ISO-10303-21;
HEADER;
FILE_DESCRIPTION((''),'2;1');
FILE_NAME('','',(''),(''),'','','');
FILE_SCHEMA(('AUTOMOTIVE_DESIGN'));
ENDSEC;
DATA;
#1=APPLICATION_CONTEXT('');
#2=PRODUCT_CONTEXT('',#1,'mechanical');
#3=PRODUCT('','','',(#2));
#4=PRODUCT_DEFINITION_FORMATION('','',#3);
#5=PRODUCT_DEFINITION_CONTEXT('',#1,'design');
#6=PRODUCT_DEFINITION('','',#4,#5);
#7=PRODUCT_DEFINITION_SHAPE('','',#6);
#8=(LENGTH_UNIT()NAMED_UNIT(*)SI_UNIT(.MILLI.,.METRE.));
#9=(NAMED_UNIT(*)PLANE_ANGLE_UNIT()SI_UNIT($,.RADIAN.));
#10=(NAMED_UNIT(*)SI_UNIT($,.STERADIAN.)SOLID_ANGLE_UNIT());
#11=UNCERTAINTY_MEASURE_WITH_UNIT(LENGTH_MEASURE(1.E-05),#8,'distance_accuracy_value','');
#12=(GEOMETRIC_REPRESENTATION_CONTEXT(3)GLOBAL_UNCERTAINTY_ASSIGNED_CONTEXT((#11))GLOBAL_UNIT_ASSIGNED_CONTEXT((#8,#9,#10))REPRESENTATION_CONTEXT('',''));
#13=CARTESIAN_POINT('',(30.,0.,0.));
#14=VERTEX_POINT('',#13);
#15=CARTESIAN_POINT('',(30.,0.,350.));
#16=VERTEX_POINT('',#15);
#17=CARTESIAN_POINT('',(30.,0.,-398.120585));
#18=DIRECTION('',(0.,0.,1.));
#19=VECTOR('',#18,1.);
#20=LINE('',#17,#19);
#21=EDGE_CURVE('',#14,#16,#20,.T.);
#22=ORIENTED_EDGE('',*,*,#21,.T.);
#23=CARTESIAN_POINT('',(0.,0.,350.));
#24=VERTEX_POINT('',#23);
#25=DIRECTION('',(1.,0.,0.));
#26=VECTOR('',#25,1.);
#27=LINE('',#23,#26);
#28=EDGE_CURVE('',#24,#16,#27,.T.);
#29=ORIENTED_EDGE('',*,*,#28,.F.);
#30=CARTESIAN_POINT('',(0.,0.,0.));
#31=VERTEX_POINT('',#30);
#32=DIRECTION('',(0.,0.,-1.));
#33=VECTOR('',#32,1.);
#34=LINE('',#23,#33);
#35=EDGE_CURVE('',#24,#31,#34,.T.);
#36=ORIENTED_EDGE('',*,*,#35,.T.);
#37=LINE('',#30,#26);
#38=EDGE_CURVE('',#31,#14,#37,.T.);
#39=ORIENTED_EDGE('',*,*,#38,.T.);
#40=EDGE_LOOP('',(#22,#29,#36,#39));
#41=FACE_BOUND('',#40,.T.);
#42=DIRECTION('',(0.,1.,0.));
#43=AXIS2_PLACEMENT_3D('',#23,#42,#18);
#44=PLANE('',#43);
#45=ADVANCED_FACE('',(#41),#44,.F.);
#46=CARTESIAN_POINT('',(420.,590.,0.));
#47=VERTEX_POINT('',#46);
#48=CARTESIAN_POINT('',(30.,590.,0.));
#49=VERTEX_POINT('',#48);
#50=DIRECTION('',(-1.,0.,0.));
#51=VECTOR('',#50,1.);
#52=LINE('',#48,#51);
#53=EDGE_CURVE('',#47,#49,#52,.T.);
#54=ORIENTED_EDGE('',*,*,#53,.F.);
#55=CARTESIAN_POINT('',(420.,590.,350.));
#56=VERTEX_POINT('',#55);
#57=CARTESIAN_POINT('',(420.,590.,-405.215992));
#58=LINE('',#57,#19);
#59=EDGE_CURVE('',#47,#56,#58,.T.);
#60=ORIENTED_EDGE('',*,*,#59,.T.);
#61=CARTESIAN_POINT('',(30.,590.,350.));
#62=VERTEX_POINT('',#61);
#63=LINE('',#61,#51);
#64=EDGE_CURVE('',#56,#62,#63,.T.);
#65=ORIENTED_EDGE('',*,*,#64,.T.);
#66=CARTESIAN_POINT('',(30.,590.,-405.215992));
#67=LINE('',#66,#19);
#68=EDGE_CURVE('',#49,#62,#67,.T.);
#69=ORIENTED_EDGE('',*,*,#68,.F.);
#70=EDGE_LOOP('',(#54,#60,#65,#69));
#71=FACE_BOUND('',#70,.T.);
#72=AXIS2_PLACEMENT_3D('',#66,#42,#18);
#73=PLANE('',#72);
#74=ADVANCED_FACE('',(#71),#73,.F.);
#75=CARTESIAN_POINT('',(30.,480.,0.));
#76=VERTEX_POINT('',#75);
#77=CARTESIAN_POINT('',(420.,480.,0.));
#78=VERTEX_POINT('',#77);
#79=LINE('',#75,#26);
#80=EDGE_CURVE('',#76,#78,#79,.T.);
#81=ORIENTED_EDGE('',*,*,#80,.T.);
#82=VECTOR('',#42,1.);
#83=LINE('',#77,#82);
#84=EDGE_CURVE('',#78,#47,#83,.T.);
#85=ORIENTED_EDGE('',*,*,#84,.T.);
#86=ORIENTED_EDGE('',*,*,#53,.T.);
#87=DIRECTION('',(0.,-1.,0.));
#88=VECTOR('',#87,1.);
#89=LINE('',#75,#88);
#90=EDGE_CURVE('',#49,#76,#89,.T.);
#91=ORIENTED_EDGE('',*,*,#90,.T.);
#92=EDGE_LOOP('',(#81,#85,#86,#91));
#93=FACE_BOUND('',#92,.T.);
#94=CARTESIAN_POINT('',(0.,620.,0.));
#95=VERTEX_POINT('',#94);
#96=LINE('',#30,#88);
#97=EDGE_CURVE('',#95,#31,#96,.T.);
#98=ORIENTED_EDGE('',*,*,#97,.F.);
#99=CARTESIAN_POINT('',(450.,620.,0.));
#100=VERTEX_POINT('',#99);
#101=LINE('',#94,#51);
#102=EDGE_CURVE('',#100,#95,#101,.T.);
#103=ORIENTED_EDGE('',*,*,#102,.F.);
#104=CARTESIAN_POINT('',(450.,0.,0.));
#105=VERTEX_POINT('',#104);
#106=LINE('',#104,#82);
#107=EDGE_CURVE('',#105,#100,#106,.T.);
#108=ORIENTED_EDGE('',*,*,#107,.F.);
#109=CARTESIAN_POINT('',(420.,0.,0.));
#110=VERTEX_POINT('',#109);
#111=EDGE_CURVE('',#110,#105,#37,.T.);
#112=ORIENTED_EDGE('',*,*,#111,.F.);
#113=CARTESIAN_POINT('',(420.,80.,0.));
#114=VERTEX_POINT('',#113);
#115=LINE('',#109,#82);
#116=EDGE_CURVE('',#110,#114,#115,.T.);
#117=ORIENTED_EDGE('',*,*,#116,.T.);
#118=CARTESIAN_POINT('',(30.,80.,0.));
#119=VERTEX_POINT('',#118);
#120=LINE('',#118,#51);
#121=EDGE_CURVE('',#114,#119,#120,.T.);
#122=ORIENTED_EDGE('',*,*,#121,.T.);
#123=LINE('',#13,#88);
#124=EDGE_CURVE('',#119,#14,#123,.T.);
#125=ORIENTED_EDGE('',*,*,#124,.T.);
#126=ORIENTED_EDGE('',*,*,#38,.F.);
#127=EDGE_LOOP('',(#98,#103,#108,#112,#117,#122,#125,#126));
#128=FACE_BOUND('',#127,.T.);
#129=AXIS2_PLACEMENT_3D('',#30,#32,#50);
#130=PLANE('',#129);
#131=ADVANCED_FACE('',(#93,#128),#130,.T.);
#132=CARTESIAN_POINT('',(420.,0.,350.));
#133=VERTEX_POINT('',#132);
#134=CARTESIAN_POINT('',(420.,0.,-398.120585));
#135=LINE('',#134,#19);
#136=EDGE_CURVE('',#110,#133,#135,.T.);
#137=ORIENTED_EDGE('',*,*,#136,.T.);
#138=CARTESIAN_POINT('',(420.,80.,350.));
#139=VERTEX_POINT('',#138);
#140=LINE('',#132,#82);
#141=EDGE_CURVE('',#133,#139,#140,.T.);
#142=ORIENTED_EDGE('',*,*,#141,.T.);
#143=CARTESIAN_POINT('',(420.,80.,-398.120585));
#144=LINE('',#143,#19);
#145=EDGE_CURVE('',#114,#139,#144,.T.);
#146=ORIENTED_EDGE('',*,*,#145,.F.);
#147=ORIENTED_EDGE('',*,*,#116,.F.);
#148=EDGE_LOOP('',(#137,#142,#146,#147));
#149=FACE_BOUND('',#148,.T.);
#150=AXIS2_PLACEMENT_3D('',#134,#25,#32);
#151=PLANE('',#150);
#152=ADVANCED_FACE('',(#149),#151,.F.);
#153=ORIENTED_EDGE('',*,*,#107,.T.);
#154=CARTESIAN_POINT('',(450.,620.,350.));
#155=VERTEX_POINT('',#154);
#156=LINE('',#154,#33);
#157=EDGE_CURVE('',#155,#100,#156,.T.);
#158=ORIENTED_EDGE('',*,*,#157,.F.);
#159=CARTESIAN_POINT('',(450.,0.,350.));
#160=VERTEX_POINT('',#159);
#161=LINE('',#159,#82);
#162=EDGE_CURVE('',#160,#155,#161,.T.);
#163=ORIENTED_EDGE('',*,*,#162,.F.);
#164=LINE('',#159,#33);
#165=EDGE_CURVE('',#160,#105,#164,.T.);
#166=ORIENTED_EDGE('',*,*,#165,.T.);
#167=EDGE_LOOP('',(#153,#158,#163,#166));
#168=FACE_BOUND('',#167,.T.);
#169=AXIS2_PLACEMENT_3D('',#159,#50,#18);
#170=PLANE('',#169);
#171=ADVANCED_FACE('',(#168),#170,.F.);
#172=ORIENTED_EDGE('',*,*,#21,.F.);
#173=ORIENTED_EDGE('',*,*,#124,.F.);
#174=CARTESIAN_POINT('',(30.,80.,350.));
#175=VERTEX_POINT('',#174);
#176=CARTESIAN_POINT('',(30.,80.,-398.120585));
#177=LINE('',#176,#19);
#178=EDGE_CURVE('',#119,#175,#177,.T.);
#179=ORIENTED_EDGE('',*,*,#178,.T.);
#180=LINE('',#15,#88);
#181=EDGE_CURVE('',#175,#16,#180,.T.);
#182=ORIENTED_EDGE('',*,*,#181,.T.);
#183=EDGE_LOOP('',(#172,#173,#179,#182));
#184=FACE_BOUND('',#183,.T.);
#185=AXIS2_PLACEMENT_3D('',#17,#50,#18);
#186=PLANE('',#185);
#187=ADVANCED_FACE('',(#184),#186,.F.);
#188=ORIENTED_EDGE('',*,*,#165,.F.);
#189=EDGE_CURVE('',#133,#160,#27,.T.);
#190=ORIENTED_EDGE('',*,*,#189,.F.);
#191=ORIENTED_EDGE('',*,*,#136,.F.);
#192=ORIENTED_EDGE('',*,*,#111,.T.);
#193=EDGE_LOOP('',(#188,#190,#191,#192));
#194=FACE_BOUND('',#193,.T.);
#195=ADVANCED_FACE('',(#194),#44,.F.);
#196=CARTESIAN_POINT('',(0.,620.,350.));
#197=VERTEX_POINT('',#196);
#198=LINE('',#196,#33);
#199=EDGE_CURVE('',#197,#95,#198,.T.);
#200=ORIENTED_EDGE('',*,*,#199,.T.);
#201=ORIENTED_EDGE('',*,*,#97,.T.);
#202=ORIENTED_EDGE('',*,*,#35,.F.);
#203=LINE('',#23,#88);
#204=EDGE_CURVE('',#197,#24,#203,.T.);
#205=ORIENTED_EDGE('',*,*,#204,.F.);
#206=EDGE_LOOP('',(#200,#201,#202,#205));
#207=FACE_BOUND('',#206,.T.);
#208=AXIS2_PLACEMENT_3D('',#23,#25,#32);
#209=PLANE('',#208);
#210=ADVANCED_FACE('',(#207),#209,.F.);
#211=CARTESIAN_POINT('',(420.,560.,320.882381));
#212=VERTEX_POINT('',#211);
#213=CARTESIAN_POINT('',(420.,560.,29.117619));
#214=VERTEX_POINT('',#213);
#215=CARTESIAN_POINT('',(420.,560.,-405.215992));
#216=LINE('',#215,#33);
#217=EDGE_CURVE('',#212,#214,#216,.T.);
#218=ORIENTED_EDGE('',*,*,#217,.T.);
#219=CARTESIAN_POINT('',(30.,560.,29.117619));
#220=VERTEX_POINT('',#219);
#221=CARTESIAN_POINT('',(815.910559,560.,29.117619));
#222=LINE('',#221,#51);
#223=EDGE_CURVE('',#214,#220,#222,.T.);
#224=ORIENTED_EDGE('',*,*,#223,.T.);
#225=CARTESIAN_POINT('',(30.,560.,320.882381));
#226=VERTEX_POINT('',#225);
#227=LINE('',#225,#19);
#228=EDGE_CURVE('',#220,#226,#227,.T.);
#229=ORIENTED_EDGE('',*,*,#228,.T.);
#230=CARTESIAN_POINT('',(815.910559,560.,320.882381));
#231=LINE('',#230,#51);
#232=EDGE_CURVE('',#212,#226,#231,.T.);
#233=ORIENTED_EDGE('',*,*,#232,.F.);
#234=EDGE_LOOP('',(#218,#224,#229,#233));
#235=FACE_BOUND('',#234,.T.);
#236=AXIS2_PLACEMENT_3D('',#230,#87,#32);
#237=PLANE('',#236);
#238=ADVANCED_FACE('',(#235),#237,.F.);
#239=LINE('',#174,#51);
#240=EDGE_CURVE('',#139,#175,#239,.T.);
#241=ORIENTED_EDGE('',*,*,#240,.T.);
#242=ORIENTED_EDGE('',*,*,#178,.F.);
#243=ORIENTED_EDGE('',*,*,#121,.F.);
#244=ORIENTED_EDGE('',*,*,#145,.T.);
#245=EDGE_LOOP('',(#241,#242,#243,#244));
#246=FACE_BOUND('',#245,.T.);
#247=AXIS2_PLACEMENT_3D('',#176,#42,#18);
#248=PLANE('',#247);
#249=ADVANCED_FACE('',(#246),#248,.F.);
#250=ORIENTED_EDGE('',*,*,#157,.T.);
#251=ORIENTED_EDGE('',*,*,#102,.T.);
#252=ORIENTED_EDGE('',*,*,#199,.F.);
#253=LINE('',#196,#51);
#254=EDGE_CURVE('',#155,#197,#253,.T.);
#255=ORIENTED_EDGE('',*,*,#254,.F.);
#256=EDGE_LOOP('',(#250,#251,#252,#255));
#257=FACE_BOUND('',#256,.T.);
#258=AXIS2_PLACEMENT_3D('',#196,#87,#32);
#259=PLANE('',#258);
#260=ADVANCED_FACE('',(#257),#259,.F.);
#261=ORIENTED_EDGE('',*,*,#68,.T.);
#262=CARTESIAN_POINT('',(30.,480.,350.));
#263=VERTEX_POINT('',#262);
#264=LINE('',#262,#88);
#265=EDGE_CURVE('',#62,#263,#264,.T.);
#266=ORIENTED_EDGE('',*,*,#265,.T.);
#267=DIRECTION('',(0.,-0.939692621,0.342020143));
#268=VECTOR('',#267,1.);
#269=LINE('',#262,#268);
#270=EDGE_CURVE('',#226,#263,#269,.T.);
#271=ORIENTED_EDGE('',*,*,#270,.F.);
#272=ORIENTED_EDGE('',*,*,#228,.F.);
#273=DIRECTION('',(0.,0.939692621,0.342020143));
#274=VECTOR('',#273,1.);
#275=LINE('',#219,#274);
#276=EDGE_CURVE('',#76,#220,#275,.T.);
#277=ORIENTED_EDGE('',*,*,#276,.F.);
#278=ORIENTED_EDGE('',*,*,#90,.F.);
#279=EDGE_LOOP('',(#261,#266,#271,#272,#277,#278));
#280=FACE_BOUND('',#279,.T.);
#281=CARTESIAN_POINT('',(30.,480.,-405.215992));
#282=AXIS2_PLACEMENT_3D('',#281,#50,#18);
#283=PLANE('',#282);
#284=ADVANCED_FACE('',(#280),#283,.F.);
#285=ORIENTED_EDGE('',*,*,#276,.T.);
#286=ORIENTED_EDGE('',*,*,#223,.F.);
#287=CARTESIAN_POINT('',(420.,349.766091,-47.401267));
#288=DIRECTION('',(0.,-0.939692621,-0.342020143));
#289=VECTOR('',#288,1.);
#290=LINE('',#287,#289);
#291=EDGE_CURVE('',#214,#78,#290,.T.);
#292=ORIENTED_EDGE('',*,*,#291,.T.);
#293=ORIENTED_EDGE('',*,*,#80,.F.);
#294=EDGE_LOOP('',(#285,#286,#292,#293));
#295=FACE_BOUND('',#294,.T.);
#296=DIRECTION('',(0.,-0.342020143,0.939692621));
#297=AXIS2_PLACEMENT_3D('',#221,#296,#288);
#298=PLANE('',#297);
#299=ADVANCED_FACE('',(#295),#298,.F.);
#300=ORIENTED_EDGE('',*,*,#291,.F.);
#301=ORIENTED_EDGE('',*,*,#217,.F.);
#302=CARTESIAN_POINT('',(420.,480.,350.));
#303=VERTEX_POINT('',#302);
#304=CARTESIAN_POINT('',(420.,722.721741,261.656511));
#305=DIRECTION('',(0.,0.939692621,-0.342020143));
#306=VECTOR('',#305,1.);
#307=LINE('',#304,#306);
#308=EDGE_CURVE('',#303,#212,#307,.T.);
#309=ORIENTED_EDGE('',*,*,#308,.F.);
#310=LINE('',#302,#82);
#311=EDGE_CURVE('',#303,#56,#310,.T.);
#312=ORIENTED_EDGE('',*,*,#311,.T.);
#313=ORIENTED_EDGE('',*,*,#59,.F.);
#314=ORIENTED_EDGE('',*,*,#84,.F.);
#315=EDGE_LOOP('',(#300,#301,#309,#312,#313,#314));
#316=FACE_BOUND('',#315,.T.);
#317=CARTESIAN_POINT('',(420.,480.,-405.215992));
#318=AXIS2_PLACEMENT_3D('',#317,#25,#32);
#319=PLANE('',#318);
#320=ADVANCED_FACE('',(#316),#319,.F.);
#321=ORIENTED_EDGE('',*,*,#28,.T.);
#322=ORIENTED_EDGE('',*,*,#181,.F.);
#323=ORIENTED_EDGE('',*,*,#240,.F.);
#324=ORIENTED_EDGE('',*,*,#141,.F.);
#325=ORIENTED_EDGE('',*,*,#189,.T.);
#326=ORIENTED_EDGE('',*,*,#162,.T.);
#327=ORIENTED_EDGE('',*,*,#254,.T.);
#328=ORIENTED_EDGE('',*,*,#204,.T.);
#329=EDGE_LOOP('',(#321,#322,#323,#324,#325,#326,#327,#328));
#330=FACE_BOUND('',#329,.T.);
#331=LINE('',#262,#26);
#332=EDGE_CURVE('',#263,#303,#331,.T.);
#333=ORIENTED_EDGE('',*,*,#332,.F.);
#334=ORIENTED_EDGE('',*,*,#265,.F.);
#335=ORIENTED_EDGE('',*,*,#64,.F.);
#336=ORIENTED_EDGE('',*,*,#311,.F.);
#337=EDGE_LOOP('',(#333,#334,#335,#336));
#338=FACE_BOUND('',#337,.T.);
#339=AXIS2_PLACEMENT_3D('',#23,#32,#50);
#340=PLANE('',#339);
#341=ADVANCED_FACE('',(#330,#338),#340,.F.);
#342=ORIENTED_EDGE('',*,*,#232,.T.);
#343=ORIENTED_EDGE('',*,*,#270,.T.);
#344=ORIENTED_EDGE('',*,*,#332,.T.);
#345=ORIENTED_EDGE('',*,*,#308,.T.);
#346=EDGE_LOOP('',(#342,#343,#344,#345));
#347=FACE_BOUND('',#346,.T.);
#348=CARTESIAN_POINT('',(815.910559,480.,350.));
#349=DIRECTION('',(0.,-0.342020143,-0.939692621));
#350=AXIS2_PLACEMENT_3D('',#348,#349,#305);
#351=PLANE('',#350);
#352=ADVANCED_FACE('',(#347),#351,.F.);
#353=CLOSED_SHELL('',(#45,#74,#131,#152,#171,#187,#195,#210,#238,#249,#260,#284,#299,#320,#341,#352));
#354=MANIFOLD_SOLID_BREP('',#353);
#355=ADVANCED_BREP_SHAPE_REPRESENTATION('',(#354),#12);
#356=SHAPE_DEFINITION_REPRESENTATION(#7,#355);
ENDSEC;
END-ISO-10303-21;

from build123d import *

# Parameters (mm, degrees)
CROQUIS1_W              = 450
CROQUIS1_H              = 620
SALIENTE_EXTRUIR1_DEPTH = 350
CROQUIS2_W              = 390
CROQUIS2_H              = 80
CORTAR_EXTRUIR1_DEPTH   = 350
CROQUIS3_W              = 390
CROQUIS3_H              = 110
CORTAR_EXTRUIR2_DEPTH   = 350
SALIENTE_EXTRUIR2_DEPTH = 420


with BuildPart() as part:
    # Croquis1 → Saliente-Extruir1 (new body)
    with BuildSketch(Plane.XY):
        with Locations((225, 310)):
            Rectangle(CROQUIS1_W, CROQUIS1_H)
    extrude(amount=SALIENTE_EXTRUIR1_DEPTH)

    # Croquis2 → Cortar-Extruir1 (cut)
    with BuildSketch(Plane.XY.offset(350)):
        with Locations((225, 40)):
            Rectangle(CROQUIS2_W, CROQUIS2_H)
    extrude(amount=-CORTAR_EXTRUIR1_DEPTH, mode=Mode.SUBTRACT)

    # Croquis3 → Cortar-Extruir2 (cut)
    with BuildSketch(Plane.XY.offset(350)):
        with Locations((225, 535)):
            Rectangle(CROQUIS3_W, CROQUIS3_H)
    extrude(amount=-CORTAR_EXTRUIR2_DEPTH, mode=Mode.SUBTRACT)

    # Croquis4 → Saliente-Extruir2 (add)
    with BuildSketch(Plane(origin=(30, 0, 0), x_dir=(0, 0, -1), z_dir=(1, 0, 0))):
        Polygon((-350, 480), (-320.882381259, 560), (-29.117618741, 560), (0, 480), (0, 453.27353989), (-350, 453.27353989), align=None)
    extrude(amount=SALIENTE_EXTRUIR2_DEPTH)


solid = part.part
